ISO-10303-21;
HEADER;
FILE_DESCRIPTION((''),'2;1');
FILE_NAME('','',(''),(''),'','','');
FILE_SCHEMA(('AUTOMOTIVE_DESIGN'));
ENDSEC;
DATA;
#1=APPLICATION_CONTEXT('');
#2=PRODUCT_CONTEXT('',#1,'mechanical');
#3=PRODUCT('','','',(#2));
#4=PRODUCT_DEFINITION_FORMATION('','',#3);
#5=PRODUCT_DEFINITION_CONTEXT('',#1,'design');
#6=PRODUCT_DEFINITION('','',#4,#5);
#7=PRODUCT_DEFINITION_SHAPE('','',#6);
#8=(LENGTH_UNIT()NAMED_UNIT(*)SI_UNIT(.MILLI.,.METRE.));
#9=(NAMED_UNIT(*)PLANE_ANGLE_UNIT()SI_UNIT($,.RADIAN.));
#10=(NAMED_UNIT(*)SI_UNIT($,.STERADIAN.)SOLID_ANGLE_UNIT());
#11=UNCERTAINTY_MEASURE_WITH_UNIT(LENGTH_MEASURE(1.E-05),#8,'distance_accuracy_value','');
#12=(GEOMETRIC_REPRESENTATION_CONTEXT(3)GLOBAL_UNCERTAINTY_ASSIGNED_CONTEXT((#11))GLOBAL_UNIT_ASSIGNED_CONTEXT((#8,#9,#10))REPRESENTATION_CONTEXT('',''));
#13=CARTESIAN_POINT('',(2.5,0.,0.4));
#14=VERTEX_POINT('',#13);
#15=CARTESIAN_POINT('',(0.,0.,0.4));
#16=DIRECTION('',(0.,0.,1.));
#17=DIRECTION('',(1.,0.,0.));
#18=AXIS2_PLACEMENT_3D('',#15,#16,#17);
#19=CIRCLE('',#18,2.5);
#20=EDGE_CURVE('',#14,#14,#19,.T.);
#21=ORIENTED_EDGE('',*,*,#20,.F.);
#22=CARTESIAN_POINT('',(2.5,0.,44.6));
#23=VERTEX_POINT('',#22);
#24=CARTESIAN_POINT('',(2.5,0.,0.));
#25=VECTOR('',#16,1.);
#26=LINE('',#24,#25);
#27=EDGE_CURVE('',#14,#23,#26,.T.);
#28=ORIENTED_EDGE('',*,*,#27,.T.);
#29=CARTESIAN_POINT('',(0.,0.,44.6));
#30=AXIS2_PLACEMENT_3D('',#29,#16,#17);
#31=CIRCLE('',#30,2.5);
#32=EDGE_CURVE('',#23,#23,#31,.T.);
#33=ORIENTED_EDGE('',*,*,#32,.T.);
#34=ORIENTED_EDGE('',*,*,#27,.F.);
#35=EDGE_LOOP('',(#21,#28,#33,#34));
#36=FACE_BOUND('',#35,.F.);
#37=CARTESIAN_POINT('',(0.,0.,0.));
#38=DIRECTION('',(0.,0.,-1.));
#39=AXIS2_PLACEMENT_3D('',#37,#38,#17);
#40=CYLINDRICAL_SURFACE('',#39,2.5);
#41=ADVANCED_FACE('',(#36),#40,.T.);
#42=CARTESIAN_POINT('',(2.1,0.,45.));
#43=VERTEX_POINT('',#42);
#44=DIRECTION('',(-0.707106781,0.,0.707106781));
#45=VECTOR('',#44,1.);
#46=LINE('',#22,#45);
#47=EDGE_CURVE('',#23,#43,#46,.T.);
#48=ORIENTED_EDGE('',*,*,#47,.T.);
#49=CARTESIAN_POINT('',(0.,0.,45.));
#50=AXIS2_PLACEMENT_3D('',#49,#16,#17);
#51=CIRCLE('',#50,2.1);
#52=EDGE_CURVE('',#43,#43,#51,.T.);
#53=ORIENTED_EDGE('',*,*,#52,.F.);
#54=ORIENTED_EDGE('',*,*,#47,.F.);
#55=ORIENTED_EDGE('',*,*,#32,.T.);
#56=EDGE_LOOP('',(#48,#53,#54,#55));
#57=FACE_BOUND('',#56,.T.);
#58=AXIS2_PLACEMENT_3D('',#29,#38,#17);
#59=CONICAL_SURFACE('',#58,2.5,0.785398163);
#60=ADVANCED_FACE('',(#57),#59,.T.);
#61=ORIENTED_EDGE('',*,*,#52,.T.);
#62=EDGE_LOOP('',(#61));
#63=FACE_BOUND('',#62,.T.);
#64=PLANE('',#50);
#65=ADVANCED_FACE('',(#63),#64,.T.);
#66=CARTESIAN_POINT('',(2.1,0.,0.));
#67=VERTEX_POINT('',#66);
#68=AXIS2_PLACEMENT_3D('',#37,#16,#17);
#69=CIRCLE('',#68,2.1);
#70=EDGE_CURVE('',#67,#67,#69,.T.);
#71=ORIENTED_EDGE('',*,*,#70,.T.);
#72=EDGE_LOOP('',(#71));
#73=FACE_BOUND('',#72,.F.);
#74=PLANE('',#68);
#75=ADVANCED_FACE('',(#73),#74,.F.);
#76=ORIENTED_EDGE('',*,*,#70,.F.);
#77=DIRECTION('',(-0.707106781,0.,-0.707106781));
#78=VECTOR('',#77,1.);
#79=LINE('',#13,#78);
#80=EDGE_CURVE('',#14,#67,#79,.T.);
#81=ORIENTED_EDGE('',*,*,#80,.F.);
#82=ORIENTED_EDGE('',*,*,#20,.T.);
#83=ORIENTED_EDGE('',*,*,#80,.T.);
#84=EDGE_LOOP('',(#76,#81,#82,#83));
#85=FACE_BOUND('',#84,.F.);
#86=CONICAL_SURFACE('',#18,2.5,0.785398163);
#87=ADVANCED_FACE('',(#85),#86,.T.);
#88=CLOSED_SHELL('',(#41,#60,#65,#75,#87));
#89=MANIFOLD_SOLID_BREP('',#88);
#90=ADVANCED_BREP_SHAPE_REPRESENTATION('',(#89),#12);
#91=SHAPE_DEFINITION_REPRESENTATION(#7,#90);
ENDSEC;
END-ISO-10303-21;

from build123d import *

# Parameters (mm, degrees)
SKETCH1_R           = 2.5
BOSS_EXTRUDE1_DEPTH = 45
CHAMFER1_SIZE       = 0.4


with BuildPart() as part:
    # Sketch1 → Boss-Extrude1 (new body)
    with BuildSketch(Plane.XY):
        Circle(SKETCH1_R)
    extrude(amount=BOSS_EXTRUDE1_DEPTH)

    # Chamfer1
    chamfer1_edges = [part.edges().sort_by_distance(p)[0] for p in [
        (-2.5, 0, 0),
        (-2.5, 0, 45),
    ]]
    chamfer(chamfer1_edges, length=CHAMFER1_SIZE)


solid = part.part
